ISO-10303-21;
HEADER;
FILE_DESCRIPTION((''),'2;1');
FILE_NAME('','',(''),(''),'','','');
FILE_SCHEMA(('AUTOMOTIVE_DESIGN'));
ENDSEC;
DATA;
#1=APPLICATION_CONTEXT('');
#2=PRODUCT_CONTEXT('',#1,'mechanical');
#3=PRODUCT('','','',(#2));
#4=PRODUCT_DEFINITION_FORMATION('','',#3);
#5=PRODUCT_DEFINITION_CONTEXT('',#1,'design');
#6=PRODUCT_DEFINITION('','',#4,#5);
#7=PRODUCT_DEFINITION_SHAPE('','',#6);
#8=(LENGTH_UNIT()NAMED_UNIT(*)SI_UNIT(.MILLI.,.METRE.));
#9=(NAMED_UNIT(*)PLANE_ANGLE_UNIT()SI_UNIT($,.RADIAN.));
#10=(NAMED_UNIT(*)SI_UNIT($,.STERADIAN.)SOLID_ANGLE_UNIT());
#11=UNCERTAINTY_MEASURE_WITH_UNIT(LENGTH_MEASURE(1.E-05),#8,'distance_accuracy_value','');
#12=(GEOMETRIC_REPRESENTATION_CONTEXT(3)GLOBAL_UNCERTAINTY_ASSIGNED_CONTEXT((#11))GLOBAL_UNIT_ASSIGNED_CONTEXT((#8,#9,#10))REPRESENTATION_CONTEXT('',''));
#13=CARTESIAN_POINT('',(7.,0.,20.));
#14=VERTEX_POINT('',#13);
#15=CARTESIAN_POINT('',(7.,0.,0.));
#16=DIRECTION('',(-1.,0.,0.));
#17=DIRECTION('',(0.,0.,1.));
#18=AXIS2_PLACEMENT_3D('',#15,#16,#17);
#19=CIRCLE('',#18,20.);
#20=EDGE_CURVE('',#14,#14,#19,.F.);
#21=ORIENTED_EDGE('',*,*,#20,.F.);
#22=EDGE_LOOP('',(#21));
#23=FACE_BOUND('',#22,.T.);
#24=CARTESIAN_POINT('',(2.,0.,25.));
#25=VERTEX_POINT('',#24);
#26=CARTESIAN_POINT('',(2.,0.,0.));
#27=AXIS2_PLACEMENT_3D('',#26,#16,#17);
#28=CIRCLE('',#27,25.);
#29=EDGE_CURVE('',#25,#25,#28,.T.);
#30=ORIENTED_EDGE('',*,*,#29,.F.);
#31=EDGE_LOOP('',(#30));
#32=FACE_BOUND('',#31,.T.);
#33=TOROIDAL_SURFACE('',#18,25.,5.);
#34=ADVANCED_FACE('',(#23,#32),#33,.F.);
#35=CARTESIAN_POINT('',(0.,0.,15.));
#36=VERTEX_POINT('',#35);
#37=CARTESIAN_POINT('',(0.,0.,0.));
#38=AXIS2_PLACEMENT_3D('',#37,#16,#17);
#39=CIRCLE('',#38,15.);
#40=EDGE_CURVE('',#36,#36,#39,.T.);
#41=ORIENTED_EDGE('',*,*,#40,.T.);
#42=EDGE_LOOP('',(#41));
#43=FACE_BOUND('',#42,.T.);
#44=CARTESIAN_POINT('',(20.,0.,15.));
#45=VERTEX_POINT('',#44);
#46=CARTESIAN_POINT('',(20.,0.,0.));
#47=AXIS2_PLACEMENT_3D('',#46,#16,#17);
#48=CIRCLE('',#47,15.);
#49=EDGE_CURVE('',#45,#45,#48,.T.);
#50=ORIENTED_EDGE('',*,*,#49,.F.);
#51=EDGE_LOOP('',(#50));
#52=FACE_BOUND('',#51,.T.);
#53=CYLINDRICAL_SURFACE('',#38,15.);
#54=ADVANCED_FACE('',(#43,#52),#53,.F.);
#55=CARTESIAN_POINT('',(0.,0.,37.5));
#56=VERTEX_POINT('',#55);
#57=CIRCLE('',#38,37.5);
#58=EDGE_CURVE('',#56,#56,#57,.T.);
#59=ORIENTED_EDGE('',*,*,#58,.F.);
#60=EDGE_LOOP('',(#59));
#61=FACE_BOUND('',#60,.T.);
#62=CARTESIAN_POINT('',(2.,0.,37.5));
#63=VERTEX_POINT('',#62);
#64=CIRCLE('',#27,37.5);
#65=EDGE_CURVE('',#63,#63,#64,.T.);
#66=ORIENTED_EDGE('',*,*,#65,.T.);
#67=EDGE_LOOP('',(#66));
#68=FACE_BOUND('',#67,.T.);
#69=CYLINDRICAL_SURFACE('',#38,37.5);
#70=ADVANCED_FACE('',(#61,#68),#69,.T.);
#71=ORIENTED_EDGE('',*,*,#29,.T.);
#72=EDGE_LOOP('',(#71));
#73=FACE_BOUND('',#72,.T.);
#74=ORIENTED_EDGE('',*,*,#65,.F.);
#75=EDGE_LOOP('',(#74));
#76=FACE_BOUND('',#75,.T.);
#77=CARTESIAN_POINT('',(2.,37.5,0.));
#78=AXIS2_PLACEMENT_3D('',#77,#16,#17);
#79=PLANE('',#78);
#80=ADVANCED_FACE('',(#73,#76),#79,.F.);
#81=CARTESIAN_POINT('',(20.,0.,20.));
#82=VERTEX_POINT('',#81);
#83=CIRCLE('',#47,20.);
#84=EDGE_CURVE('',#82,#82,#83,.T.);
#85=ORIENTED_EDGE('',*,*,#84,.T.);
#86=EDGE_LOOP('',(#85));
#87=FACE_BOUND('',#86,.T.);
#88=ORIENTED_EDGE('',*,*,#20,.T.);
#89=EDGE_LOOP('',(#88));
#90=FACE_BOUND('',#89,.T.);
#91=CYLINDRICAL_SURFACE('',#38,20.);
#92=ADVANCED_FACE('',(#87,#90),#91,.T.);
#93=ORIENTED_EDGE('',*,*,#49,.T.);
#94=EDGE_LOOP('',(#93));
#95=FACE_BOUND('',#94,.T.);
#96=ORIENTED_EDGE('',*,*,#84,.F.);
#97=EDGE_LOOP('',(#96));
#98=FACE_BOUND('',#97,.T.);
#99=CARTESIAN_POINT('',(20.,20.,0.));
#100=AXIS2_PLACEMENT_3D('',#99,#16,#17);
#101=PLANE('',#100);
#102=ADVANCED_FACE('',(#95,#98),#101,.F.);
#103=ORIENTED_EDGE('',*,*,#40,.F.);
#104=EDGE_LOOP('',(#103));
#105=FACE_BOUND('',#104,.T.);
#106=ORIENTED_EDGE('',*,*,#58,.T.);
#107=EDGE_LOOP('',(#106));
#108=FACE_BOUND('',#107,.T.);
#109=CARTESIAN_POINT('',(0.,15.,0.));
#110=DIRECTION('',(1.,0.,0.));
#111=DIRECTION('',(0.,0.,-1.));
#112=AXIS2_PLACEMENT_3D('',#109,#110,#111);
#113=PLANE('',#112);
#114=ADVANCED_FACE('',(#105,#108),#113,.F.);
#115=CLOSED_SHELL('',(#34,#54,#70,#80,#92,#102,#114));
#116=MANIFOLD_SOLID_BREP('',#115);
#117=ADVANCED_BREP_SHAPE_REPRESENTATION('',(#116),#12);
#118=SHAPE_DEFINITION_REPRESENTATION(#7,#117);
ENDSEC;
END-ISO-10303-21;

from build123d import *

# Parameters (mm, degrees)
RADYUS1_R = 5


with BuildPart() as part:
    # Çizim1 → Döndür1 (revolve)
    with BuildSketch(Plane.XY):
        Polygon((0, 37.5), (2, 37.5), (2, 20), (20, 20), (20, 15), (0, 15), align=None)
    revolve(axis=Axis((0, 0, 0), (1, 0, 0)))

    # Radyus1
    radyus1_edges = [part.edges().sort_by_distance(p)[0] for p in [
        (2, -20, 0),
    ]]
    fillet(radyus1_edges, radius=RADYUS1_R)


solid = part.part
